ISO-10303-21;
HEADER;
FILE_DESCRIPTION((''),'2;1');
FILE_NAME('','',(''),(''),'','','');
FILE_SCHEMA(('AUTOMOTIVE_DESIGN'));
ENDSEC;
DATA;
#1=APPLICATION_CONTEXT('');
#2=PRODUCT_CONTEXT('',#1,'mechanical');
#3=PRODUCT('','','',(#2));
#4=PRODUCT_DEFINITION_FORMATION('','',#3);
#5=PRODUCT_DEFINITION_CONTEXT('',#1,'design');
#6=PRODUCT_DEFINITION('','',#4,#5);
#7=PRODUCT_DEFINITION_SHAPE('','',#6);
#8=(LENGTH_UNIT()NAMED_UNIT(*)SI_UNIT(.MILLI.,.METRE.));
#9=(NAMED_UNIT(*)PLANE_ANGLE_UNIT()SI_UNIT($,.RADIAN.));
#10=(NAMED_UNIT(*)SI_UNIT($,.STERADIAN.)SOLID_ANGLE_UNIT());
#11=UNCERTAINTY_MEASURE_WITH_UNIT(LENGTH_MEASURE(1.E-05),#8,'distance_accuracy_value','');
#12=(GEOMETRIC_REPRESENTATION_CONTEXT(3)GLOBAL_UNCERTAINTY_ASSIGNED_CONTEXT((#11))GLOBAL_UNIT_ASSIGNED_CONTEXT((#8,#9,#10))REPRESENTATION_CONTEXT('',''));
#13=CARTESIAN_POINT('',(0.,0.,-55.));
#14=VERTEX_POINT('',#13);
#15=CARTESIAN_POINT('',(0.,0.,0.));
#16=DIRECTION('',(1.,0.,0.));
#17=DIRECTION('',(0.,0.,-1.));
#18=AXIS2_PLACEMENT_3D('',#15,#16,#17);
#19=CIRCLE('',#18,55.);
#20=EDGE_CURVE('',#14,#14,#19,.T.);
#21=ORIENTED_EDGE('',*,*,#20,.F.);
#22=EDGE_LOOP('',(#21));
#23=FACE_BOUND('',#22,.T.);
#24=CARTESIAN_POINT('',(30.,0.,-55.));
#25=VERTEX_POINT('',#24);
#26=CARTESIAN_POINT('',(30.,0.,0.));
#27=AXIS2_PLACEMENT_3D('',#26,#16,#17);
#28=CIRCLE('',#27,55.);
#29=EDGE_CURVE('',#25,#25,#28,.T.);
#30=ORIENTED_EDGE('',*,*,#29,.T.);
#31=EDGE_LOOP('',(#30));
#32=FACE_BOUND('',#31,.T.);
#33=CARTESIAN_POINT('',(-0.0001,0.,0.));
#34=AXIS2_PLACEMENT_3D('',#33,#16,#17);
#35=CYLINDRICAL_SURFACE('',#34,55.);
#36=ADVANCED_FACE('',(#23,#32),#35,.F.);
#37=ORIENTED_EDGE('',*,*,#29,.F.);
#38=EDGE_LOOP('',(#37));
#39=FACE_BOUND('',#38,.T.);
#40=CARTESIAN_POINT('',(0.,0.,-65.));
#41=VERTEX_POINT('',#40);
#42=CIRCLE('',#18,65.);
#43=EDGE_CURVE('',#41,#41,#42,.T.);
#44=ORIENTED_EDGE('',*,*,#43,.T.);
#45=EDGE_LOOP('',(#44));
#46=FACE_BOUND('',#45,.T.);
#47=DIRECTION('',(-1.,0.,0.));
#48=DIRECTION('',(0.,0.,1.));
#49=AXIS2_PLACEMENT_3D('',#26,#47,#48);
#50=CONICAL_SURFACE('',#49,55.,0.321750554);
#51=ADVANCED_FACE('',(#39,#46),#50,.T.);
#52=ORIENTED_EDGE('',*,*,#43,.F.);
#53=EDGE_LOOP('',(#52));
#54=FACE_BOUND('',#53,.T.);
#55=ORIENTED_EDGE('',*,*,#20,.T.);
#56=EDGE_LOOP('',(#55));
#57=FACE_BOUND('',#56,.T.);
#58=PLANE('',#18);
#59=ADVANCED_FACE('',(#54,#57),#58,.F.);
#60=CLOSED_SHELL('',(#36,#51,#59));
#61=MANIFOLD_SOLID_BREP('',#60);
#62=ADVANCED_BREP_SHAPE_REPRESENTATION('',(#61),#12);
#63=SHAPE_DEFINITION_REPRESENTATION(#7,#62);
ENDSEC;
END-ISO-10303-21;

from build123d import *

# Parameters (mm, degrees)
SKETCH1_R          = 65
SKETCH2_R          = 55
SKETCH3_R          = 55
CUT_EXTRUDE1_DEPTH = 31.0000001


with BuildPart() as part:
    # Sketch1 → Loft1 section 0
    with BuildSketch(Plane(origin=(0, 0, 0), x_dir=(0, 0, -1), z_dir=(1, 0, 0))):
        Circle(SKETCH1_R)
    # Sketch2 → Loft1 section 1
    with BuildSketch(Plane(origin=(30, 0, 0), x_dir=(0, 0, -1), z_dir=(1, 0, 0))):
        Circle(SKETCH2_R)
    loft()

    # Sketch3 → Cut-Extrude1 (cut, through all)
    with BuildSketch(Plane(origin=(30, 0, 0), x_dir=(0, 0, -1), z_dir=(1, 0, 0))):
        Circle(SKETCH3_R)
    extrude(amount=-CUT_EXTRUDE1_DEPTH, mode=Mode.SUBTRACT)


solid = part.part
